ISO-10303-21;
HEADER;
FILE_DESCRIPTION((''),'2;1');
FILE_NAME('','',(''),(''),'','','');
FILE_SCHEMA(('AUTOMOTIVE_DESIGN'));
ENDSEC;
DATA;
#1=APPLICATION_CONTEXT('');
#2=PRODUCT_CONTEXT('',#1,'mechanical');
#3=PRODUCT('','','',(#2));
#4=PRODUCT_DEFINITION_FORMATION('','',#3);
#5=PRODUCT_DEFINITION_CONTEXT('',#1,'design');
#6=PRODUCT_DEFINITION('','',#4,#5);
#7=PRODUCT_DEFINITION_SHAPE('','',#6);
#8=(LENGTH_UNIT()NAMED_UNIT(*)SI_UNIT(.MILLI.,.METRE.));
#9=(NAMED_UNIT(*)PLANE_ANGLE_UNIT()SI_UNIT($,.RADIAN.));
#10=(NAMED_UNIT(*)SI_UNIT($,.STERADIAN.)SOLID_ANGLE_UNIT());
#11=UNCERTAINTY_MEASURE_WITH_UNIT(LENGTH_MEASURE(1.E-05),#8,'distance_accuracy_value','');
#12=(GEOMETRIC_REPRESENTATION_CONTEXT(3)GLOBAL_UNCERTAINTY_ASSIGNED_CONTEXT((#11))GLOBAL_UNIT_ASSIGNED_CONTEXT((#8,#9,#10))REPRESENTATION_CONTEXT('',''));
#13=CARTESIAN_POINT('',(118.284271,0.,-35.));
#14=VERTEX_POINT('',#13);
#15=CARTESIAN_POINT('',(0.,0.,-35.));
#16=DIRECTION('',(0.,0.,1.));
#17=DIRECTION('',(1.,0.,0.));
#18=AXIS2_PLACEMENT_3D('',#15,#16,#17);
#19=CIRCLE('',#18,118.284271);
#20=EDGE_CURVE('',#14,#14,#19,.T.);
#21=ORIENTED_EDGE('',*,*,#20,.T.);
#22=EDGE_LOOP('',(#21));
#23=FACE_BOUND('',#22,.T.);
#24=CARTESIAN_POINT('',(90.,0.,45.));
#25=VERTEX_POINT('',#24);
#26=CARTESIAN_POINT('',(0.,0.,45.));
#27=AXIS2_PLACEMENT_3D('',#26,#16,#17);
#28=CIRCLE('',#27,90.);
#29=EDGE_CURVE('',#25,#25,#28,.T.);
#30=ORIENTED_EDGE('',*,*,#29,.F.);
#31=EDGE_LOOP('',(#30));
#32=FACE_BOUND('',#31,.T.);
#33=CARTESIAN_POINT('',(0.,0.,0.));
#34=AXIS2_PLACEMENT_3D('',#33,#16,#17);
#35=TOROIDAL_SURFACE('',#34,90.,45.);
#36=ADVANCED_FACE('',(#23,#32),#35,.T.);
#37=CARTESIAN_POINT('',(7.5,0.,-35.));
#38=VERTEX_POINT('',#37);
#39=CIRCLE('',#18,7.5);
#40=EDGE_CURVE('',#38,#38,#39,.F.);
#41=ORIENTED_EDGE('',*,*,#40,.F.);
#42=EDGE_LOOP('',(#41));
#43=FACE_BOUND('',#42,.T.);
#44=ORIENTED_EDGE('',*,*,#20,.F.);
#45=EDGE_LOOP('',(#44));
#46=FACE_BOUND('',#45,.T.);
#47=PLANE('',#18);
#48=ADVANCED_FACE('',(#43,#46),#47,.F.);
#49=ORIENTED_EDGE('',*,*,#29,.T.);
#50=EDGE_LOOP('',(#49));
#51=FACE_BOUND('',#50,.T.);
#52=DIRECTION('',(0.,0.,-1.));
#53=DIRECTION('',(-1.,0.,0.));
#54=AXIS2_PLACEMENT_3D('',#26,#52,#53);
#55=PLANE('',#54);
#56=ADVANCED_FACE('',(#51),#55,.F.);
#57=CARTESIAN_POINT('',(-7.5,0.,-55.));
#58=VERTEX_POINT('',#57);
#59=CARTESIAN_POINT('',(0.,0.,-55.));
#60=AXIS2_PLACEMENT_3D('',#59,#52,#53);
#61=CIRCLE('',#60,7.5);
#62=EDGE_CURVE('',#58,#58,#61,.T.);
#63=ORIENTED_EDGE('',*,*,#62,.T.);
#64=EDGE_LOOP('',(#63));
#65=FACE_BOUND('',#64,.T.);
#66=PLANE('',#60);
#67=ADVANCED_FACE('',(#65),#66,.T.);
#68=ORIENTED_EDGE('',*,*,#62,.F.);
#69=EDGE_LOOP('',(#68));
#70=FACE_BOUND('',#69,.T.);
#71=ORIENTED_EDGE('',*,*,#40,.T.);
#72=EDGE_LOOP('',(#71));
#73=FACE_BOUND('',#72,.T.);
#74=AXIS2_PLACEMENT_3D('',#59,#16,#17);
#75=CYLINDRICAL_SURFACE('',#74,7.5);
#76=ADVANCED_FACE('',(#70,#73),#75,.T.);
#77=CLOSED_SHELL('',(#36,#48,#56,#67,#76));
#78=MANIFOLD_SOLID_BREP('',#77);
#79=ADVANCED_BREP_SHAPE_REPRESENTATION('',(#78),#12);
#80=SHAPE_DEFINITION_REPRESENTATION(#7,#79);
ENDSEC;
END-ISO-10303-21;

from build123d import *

# Parameters (mm, degrees)
SKETCH3_R           = 7.5
BOSS_EXTRUDE1_DEPTH = 20


with BuildPart() as part:
    # Sketch2 → Revolve1 (revolve)
    with BuildSketch(Plane(origin=(0, 0, 0), x_dir=(0, 0, -1), z_dir=(1, 0, 0)), mode=Mode.PRIVATE) as revolve1_sk:
        with BuildLine():
            ThreePointArc((-45, 90), (-31.819805153, 58.180194847), (0, 45))
            Line((0, 45), (0, 135))
            ThreePointArc((0, 135), (-31.819805153, 121.819805153), (-45, 90))
        make_face()
        with BuildLine():
            Line((-45, 0), (0, 0))
            Line((0, 0), (0, 45))
            ThreePointArc((0, 45), (-31.819805153, 58.180194847), (-45, 90))
            Line((-45, 90), (-45, 0))
        make_face()
        with BuildLine():
            Line((0, 45), (0, 0))
            Line((0, 0), (35, 0))
            Line((35, 0), (35, 61.715728753))
            ThreePointArc((35, 61.715728753), (19.393398282, 49.393398282), (0, 45))
        make_face()
        with BuildLine():
            Line((0, 135), (0, 45))
            ThreePointArc((0, 45), (19.393398282, 49.393398282), (35, 61.715728753))
            Line((35, 61.715728753), (35, 118.284271247))
            ThreePointArc((35, 118.284271247), (19.393398282, 130.606601718), (0, 135))
        make_face()
    revolve(revolve1_sk.sketch.rotate(Axis((0, 0, 45), (0, 0, -1)), 90), axis=Axis((0, 0, 45), (0, 0, -1)))

    # Sketch3 → Boss-Extrude1 (add)
    with BuildSketch(Plane(origin=(0, 0, -35), x_dir=(-1, 0, 0), z_dir=(0, 0, -1))):
        with Locations(Location((0, 0, 0), (0, 0, 180))):
            Circle(SKETCH3_R)
    extrude(amount=BOSS_EXTRUDE1_DEPTH)


solid = part.part
